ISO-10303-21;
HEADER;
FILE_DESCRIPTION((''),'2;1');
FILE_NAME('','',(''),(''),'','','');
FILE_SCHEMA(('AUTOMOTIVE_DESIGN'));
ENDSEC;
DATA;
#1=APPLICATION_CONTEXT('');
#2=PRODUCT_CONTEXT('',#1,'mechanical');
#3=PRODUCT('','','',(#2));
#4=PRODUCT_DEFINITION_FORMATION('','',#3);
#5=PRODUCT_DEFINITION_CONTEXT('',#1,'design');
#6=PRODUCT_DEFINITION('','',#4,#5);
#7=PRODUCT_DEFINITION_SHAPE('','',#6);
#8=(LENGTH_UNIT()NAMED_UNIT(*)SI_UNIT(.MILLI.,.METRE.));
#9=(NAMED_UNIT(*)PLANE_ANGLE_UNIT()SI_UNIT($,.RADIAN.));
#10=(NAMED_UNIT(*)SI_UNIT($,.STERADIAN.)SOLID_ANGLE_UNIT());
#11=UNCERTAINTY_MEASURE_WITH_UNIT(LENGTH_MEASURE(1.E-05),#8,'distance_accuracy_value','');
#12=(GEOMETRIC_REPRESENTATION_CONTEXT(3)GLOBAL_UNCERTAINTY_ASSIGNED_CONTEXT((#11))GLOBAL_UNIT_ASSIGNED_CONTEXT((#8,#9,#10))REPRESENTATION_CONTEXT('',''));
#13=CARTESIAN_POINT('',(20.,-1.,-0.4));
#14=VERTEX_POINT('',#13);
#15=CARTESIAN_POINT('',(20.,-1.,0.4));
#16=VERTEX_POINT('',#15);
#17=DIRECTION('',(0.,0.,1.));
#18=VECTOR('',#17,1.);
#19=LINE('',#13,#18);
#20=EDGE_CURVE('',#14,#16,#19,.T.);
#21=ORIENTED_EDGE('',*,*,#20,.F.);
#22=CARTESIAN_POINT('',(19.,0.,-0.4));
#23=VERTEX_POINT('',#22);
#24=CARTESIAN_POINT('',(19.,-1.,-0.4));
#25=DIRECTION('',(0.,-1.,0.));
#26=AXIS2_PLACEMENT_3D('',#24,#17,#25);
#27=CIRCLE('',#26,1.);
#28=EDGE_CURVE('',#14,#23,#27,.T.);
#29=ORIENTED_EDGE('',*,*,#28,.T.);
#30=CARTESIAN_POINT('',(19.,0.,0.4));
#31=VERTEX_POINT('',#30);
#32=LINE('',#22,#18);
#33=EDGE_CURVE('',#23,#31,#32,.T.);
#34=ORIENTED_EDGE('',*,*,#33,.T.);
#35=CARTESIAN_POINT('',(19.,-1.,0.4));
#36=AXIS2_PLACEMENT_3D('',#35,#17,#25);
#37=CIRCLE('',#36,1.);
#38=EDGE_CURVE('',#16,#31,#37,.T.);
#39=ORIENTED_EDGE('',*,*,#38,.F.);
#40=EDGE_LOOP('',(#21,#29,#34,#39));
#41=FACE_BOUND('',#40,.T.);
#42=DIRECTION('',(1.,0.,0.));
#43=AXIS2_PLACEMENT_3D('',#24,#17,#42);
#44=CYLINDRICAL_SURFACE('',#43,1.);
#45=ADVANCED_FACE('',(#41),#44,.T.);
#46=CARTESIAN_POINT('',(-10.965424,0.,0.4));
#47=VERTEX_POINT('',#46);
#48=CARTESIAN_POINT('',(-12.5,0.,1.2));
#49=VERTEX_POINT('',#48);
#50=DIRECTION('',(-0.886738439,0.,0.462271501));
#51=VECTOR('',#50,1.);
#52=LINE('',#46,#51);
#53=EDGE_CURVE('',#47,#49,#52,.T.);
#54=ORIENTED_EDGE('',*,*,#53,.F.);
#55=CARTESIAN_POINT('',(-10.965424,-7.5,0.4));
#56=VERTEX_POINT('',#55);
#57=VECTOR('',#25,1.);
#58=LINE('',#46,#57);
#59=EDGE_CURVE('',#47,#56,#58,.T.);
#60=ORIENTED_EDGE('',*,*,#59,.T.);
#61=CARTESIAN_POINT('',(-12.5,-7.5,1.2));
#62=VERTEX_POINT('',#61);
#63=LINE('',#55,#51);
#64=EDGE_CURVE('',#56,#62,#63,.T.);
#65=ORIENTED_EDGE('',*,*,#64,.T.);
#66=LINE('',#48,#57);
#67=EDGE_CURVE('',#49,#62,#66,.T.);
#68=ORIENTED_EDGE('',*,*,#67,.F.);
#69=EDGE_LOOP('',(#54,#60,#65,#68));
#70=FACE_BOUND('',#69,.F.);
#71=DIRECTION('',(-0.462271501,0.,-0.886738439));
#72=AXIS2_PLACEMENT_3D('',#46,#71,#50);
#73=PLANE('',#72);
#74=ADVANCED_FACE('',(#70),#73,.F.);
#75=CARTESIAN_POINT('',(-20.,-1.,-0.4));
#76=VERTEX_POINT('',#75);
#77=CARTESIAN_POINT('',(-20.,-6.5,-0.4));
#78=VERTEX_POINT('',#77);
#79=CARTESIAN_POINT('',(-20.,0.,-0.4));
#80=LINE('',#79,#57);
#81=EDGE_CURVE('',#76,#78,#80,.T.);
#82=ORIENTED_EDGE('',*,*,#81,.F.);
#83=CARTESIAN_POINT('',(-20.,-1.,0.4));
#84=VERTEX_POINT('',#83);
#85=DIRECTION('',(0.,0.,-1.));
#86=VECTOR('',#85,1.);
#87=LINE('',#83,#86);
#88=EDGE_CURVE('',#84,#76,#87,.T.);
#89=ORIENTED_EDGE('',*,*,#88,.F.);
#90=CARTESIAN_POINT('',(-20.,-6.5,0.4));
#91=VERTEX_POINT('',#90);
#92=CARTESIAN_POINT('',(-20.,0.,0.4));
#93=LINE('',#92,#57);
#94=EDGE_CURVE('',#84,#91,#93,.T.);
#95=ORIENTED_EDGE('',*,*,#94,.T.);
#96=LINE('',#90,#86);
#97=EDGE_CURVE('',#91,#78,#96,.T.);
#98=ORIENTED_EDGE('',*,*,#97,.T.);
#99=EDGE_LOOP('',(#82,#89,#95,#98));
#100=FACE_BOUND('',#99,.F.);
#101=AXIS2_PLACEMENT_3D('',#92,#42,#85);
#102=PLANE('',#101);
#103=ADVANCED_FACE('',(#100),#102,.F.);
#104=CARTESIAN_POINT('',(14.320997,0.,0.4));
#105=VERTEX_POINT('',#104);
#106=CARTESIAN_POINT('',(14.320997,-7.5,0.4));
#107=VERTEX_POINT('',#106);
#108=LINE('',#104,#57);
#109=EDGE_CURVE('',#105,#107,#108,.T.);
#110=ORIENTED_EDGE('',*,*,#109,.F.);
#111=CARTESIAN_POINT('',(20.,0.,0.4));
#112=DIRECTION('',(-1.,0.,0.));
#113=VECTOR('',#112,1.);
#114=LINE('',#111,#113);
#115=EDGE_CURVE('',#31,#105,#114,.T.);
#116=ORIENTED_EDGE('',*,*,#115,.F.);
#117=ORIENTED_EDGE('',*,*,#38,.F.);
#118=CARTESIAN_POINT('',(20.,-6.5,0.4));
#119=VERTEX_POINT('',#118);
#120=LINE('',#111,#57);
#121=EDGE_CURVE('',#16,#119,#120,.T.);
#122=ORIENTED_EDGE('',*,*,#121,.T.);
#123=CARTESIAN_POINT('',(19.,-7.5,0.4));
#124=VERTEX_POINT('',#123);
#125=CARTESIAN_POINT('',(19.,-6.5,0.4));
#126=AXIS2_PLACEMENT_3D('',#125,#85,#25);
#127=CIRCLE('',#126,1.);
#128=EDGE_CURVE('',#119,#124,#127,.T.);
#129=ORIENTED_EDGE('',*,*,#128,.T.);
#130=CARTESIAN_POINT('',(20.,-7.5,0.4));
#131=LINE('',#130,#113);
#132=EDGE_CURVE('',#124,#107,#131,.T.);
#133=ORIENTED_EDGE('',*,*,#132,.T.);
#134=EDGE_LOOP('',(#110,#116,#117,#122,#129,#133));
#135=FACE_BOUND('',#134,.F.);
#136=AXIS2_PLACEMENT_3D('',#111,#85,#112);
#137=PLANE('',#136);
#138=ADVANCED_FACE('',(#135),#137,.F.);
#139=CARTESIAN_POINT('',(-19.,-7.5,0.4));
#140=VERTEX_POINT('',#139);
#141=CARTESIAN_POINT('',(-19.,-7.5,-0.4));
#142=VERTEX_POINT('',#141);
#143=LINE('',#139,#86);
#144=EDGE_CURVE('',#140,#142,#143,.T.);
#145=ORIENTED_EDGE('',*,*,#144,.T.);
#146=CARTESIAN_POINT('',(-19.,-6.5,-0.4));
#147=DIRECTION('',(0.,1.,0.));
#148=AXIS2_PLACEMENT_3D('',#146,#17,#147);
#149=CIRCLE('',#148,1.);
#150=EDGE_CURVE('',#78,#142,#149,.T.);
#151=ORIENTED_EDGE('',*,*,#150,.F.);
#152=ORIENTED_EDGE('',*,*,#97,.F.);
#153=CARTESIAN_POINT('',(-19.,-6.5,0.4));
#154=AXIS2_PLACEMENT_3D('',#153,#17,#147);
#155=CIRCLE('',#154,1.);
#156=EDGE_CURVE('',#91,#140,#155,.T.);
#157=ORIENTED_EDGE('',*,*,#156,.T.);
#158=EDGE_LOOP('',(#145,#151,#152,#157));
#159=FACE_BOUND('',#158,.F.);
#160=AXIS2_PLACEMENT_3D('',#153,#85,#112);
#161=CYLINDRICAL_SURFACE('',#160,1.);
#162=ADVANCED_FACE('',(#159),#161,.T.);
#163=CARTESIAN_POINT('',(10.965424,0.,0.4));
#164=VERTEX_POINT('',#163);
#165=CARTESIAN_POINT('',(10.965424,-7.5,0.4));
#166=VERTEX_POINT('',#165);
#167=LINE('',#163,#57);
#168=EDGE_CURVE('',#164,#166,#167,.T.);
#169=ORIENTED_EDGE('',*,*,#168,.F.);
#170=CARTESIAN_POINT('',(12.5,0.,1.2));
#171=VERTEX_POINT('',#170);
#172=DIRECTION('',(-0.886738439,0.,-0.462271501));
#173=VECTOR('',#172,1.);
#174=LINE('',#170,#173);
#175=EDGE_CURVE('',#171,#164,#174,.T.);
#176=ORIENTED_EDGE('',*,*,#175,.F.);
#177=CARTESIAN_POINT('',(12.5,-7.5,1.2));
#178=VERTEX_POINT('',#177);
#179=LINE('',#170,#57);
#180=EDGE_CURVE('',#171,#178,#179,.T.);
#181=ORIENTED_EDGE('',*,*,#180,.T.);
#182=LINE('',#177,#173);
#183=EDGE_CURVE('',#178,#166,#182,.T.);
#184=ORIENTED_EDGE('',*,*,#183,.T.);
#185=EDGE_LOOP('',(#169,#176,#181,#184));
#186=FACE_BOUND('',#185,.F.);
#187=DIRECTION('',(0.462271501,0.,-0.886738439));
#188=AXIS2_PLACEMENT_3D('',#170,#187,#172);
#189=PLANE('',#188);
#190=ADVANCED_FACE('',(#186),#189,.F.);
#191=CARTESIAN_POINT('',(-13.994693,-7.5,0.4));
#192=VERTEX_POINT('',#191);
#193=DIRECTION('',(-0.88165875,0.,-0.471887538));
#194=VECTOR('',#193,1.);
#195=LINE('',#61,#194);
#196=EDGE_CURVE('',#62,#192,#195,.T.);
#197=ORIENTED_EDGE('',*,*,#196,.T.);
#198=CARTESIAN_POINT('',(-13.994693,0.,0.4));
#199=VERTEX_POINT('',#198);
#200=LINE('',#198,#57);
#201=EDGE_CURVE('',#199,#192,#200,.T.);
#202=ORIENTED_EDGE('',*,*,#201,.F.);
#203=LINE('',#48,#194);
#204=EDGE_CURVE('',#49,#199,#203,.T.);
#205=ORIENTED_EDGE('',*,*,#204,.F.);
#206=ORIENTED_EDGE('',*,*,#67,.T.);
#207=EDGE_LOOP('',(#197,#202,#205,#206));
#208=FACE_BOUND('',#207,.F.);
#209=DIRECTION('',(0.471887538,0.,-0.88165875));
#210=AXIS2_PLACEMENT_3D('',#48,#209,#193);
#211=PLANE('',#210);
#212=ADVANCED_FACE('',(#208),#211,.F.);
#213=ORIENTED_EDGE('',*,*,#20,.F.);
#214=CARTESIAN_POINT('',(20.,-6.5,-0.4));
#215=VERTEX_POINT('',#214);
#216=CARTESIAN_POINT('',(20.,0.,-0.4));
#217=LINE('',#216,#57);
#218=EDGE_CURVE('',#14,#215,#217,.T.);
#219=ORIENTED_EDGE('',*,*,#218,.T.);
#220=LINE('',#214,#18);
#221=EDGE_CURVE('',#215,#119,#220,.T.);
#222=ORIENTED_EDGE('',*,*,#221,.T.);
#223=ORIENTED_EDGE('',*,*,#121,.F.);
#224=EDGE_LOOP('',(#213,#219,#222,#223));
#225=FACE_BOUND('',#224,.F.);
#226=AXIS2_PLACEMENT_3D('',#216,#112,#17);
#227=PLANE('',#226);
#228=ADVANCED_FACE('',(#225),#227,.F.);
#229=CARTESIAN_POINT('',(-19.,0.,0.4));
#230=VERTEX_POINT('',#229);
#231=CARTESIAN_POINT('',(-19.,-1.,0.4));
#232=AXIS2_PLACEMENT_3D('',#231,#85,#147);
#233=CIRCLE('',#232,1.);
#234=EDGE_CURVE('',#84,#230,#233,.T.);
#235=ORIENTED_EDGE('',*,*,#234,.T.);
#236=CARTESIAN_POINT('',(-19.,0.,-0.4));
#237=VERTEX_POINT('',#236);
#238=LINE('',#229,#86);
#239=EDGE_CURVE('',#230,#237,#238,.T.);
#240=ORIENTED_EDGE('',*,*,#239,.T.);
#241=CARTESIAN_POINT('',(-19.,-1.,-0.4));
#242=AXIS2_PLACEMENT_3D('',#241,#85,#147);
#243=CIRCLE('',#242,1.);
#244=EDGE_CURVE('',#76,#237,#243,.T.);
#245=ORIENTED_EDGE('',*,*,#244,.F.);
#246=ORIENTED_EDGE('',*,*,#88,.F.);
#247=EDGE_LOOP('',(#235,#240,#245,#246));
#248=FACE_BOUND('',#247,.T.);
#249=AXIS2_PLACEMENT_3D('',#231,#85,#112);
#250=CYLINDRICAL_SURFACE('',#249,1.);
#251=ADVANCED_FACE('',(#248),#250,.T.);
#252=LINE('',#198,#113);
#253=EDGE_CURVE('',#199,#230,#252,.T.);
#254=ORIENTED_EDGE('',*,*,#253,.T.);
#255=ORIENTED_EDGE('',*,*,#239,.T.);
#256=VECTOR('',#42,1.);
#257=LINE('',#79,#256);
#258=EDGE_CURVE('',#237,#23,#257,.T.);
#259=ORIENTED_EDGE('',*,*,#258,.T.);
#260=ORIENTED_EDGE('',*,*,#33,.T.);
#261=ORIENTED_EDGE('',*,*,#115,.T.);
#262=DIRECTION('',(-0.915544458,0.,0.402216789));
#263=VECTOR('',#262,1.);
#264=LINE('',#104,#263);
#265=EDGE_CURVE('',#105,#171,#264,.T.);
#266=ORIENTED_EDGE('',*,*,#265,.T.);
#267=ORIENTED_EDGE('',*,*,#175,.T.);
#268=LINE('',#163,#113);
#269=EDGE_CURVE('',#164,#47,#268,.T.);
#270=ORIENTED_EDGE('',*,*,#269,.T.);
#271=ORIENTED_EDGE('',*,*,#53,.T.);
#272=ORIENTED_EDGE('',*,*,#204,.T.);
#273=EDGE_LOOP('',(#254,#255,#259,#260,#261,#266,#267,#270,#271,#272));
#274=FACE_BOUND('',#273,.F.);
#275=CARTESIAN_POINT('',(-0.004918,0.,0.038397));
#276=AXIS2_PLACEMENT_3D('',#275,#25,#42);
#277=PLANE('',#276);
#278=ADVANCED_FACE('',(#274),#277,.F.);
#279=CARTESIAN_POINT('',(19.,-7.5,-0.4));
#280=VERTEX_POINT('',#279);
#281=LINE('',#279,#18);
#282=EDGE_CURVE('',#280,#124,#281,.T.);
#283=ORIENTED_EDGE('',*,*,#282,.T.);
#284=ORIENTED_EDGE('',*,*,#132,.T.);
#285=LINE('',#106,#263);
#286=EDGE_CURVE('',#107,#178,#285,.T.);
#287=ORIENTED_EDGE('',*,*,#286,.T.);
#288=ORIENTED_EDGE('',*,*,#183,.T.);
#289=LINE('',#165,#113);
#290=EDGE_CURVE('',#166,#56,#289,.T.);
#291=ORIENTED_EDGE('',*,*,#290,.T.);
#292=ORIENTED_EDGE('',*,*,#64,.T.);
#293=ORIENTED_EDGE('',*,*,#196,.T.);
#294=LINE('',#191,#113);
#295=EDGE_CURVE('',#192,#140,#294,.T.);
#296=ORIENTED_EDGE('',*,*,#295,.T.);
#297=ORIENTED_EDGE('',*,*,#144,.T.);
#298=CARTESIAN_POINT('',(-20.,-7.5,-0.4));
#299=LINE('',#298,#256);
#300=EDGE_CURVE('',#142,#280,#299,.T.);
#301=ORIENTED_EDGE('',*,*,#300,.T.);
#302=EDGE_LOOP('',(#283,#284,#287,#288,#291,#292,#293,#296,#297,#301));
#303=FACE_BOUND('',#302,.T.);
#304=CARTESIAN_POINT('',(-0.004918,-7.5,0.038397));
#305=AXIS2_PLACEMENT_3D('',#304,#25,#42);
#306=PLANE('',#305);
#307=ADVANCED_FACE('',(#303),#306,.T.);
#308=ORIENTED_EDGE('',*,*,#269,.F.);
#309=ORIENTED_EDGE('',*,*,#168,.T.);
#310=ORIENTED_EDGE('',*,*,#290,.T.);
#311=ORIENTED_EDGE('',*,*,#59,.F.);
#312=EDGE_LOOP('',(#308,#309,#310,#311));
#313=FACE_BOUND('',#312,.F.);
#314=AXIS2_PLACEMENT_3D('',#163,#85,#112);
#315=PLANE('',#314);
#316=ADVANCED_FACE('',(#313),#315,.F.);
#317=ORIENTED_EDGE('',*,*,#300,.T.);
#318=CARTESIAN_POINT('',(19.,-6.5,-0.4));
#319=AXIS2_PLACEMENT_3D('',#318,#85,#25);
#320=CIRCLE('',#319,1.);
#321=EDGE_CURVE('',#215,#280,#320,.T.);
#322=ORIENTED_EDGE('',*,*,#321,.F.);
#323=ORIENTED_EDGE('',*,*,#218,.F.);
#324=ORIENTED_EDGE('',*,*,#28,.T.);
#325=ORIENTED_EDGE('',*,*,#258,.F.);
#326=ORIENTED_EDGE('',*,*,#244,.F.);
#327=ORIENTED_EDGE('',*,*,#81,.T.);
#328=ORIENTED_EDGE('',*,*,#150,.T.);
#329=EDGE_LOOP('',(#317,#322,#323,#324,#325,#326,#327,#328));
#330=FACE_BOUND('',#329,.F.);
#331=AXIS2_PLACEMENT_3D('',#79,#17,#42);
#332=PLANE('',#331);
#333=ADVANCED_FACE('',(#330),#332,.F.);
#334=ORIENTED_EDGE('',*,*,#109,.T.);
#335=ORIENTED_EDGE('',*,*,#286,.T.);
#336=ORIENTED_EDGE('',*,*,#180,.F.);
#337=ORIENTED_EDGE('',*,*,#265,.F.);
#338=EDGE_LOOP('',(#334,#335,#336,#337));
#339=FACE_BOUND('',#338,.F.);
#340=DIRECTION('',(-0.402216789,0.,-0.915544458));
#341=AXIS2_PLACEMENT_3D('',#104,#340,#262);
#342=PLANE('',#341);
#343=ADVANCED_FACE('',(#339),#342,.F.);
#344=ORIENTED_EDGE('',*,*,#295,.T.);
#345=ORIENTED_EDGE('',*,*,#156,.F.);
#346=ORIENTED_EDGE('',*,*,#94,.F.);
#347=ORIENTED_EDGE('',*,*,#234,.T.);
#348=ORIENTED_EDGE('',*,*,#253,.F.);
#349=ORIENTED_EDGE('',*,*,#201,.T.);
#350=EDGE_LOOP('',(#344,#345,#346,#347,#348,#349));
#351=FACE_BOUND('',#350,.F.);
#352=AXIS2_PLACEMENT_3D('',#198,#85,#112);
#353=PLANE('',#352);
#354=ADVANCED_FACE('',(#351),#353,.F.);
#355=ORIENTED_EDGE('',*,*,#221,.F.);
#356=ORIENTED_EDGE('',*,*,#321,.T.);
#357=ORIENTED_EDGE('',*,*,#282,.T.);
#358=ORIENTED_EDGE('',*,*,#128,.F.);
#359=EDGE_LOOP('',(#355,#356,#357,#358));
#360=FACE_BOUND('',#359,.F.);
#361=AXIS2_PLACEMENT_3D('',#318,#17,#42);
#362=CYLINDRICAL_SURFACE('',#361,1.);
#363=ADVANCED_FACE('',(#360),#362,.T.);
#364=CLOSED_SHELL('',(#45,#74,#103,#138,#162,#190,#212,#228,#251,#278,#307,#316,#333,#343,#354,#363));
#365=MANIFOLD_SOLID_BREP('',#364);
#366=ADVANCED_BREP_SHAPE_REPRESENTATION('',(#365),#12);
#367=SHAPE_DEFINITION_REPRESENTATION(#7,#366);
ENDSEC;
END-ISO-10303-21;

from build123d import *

# Parameters (mm, degrees)
PAD_DEPTH = 7.5
FILLET_R  = 1


with BuildPart() as part:
    # Sketch → Pad (new body)
    with BuildSketch(Plane.XZ):
        Polygon((-20, -0.4), (20, -0.4), (20, 0.4), (14.320997, 0.4), (12.5, 1.2), (10.965424, 0.4), (-10.965424, 0.4), (-12.5, 1.2), (-13.994693, 0.4), (-20, 0.4), align=None)
    extrude(amount=PAD_DEPTH)

    # Fillet
    fillet_edges = [part.edges().sort_by_distance(p)[0] for p in [
        (-20, -7.5, 0),
        (-20, 0, 0),
        (20, 0, 0),
        (20, -7.5, 0),
    ]]
    fillet(fillet_edges, radius=FILLET_R)


solid = part.part
